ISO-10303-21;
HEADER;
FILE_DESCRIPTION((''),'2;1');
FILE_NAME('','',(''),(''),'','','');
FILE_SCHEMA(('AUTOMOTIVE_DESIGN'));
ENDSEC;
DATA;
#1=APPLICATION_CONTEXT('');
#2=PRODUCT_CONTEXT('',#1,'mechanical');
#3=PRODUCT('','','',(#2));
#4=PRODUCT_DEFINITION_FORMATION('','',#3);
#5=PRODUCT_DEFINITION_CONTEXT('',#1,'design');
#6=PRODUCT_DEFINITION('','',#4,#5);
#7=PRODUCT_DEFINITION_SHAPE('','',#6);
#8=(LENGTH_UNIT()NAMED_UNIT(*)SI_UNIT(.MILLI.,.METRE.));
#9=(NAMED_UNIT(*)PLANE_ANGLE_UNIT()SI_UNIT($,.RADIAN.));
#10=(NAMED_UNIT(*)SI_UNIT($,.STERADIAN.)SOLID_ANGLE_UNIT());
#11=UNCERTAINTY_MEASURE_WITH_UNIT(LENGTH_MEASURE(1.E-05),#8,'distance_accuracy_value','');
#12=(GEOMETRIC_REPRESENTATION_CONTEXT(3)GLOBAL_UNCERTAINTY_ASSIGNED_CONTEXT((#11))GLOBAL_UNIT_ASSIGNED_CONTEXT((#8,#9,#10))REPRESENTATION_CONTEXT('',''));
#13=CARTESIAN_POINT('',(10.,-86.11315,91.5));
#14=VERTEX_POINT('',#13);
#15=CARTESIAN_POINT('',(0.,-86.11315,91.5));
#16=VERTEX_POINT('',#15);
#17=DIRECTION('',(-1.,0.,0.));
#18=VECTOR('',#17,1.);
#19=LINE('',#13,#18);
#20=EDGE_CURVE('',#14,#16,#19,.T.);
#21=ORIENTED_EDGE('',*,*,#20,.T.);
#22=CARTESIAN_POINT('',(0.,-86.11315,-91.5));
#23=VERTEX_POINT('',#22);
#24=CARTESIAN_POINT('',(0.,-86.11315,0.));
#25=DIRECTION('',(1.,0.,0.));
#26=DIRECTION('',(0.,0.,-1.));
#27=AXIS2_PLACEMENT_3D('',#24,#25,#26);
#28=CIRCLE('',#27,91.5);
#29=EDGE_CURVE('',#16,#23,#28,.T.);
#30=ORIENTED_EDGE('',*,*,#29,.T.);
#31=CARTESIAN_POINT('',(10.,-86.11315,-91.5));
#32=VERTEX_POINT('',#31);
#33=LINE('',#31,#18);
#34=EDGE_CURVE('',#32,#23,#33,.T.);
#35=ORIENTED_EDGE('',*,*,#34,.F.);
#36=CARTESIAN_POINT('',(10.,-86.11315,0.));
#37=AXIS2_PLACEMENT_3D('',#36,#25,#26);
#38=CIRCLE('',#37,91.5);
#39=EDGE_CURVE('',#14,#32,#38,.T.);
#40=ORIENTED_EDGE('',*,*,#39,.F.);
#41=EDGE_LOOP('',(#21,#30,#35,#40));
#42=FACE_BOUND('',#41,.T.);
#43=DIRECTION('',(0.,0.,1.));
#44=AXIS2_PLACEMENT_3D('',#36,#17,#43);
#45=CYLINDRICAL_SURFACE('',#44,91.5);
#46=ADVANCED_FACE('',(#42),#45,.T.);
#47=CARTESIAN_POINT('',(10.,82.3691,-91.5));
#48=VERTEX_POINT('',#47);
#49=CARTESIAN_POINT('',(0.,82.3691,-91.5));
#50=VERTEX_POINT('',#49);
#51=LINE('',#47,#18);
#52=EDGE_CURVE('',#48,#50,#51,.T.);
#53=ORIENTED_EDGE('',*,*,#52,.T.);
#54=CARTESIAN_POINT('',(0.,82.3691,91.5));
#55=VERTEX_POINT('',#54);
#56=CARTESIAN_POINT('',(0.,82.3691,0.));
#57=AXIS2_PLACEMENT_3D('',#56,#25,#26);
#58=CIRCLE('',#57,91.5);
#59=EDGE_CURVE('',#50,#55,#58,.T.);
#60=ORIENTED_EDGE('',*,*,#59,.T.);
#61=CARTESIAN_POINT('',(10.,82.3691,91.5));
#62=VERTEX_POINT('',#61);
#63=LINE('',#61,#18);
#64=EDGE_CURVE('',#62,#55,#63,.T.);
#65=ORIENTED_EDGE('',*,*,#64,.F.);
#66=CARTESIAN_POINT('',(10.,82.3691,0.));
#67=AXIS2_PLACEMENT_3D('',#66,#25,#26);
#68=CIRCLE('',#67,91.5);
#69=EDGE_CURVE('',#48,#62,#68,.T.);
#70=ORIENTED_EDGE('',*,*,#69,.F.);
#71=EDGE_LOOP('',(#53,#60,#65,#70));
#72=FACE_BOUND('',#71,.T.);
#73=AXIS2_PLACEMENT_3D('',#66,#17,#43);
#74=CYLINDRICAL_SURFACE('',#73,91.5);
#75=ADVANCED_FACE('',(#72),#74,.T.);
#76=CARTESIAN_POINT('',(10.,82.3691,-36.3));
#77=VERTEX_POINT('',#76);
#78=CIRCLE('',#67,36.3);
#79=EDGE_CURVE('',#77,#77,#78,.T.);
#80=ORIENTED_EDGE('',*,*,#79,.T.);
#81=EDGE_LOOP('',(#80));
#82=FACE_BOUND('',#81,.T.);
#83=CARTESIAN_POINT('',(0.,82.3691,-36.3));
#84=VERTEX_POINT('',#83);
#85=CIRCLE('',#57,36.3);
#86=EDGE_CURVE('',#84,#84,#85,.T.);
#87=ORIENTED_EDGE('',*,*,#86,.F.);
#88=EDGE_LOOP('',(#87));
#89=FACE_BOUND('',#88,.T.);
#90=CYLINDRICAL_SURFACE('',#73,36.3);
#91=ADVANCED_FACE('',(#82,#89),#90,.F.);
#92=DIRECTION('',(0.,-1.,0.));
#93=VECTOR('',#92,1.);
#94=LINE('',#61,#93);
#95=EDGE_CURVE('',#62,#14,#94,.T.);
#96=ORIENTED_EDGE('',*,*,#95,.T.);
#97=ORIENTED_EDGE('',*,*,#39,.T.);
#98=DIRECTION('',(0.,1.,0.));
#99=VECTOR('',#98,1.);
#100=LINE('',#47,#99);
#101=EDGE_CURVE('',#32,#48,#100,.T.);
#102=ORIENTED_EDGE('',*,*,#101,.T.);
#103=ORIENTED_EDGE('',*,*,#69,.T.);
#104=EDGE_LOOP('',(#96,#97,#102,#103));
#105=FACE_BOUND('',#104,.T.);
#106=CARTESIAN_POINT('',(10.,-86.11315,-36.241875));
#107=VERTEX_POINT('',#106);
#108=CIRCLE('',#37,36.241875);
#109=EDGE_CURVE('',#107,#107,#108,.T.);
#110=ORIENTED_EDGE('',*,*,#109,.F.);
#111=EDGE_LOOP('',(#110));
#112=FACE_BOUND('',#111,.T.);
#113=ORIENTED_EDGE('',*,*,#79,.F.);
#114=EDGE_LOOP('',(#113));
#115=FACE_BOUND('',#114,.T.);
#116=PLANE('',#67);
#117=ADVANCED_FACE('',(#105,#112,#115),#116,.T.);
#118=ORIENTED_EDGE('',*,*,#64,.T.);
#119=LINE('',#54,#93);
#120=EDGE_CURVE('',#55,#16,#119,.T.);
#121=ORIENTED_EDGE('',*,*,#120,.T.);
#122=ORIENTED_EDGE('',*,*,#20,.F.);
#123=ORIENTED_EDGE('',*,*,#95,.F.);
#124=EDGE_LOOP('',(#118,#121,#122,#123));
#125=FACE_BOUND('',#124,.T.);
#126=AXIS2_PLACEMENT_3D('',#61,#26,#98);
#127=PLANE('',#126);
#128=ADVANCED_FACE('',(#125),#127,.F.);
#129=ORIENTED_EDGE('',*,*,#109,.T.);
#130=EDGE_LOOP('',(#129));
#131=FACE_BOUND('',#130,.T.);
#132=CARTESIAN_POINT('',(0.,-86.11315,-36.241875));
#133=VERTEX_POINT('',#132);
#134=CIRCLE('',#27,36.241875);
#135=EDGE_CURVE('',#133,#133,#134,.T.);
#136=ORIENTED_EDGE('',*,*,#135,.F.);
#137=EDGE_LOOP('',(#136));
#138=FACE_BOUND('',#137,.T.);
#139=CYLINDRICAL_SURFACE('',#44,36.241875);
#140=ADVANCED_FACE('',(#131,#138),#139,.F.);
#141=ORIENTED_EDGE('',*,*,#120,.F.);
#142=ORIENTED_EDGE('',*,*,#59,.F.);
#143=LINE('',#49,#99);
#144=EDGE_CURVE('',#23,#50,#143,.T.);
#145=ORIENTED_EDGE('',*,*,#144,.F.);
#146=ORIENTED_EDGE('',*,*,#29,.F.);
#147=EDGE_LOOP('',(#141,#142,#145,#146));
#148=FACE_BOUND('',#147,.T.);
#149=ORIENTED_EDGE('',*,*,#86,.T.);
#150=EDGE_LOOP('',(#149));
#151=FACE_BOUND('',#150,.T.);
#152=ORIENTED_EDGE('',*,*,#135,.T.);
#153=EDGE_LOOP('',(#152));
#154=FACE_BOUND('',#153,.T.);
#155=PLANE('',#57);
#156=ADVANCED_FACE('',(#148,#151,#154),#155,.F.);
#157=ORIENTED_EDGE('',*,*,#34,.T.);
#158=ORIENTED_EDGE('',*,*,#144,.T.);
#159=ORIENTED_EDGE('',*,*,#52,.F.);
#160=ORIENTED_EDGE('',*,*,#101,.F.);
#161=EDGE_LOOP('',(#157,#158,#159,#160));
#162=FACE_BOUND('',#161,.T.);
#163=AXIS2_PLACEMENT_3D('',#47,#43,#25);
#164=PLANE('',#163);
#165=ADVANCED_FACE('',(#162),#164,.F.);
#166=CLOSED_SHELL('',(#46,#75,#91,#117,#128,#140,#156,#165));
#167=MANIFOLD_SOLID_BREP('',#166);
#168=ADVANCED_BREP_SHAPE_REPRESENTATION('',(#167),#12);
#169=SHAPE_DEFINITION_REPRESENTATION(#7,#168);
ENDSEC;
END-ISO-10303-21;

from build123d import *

# Parameters (mm, degrees)
SKETCH1_R           = 36.3
SKETCH1_R_2         = 36.241875
BOSS_EXTRUDE1_DEPTH = 10


with BuildPart() as part:
    # Sketch1 → Boss-Extrude1 (new body)
    with BuildSketch(Plane(origin=(0, 0, 0), x_dir=(0, 0, -1), z_dir=(1, 0, 0))):
        with BuildLine():
            Line((91.5, 82.3691), (91.5, -86.11315))
            ThreePointArc((91.5, -86.11315), (0, -177.61315), (-91.5, -86.11315))
            Line((-91.5, -86.11315), (-91.5, 82.3691))
            ThreePointArc((-91.5, 82.3691), (0, 173.8691), (91.5, 82.3691))
        make_face()
        with Locations((0, 82.3691)):
            Circle(SKETCH1_R, mode=Mode.SUBTRACT)
        with Locations((0, -86.11315)):
            Circle(SKETCH1_R_2, mode=Mode.SUBTRACT)
    extrude(amount=BOSS_EXTRUDE1_DEPTH)


solid = part.part
